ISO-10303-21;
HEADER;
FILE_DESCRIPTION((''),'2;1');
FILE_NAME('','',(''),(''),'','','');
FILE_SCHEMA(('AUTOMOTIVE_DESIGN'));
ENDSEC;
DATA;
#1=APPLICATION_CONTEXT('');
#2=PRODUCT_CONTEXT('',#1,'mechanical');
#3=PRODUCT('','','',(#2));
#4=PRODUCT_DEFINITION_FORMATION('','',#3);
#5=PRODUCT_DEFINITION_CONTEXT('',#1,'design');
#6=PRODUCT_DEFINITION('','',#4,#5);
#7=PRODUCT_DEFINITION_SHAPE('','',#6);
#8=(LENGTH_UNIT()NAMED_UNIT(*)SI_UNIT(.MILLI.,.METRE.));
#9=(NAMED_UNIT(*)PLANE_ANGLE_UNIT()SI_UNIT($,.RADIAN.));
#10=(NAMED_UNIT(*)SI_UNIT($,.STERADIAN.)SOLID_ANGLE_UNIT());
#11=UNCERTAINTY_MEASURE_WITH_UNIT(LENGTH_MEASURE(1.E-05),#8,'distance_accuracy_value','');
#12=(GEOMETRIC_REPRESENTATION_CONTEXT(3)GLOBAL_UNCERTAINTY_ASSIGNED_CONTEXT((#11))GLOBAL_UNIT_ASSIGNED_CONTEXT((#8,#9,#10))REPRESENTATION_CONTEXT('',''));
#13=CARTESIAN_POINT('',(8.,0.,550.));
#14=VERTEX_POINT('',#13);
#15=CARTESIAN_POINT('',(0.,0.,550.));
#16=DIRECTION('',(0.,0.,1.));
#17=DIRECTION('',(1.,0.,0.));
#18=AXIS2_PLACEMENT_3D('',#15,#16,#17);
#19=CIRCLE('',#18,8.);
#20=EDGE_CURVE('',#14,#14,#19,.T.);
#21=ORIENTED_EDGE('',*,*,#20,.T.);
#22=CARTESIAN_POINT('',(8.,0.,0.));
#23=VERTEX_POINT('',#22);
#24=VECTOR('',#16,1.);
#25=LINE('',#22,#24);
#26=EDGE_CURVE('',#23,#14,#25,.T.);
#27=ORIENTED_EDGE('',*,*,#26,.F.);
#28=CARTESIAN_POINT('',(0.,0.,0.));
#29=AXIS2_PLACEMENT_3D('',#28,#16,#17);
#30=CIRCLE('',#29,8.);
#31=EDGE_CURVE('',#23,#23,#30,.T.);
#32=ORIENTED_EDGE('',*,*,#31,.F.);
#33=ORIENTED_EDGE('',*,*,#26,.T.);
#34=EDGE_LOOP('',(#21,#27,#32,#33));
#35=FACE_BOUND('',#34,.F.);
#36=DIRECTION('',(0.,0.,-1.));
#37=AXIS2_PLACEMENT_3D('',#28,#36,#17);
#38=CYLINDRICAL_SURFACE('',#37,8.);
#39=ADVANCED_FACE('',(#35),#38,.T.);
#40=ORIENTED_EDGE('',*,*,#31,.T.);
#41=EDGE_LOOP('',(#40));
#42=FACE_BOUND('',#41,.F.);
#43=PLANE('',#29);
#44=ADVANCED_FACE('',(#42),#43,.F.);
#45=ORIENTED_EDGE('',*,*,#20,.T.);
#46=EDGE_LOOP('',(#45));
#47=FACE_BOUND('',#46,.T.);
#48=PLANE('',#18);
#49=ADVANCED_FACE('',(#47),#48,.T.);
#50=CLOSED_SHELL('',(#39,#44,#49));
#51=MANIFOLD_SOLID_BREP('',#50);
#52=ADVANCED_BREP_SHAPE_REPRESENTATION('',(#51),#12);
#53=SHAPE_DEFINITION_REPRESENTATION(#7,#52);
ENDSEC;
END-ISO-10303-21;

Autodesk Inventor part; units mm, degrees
ref_plane "YZ Plane" through (0, 0, 0) normal (1, 0, 0) x (0, 1, 0)
ref_plane "XZ Plane" through (0, 0, 0) normal (0, 1, 0) x (-1, 0, 0)
ref_plane "XY Plane" through (0, 0, 0) normal (0, 0, 1) x (1, 0, 0)
sketch "Boceto1" plane through (0, 0, 0) normal (0, 0, 1) x (1, 0, 0)
  circle A0 centre (0, 0) radius 8
  dimension "d0" = 16
extrude "Extrusión1" add sketch "Boceto1" along normal blind 550
properties part number "EjeBase" material "Acero, alta resistencia, aleación baja"
